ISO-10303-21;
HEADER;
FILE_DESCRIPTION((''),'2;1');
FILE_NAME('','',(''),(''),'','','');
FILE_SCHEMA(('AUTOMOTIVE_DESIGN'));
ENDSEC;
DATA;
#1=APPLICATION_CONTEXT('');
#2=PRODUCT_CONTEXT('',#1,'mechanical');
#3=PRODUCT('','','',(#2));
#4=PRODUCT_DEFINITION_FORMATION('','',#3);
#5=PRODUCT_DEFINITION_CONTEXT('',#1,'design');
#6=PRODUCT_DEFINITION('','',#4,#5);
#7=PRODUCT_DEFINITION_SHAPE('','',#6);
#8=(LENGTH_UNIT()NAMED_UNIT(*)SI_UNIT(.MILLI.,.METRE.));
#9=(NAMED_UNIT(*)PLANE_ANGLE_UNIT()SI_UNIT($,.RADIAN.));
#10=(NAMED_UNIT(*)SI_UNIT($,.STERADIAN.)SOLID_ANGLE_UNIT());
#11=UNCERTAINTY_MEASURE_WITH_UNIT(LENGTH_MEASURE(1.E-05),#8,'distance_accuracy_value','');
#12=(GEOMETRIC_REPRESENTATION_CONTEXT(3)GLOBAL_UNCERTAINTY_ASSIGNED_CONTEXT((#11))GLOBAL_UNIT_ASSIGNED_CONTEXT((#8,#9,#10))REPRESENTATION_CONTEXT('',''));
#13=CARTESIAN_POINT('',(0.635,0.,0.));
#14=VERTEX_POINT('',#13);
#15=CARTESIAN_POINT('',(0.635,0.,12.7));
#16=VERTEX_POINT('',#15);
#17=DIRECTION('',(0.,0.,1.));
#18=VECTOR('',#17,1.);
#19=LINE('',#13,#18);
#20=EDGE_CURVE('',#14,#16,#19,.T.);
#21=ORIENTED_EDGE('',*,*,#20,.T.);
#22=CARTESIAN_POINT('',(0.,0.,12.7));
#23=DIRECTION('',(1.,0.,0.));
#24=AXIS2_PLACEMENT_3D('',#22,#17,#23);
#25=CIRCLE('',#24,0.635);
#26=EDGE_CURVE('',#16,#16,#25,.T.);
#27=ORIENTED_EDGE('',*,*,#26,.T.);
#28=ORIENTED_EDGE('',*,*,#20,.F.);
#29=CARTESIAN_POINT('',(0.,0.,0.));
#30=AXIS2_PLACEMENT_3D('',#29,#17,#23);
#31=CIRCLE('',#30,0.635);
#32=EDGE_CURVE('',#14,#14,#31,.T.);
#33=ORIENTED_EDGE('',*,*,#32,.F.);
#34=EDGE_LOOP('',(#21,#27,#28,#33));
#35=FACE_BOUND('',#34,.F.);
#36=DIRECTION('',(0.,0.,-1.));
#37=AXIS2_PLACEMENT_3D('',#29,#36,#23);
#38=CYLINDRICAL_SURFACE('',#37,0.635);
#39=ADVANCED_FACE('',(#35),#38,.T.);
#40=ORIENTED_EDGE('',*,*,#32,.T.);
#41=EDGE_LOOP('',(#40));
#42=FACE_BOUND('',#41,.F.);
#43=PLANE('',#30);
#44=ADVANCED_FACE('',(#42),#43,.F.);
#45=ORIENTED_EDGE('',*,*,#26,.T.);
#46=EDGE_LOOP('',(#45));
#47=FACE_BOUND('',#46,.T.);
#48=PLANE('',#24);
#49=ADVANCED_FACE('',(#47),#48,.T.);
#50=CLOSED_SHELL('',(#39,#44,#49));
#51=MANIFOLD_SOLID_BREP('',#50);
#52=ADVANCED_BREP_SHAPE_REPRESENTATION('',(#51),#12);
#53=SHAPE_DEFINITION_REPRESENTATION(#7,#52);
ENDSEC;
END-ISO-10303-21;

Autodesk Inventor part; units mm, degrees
ref_plane "YZ Plane" through (0, 0, 0) normal (1, 0, 0) x (0, 1, 0)
ref_plane "XZ Plane" through (0, 0, 0) normal (0, 1, 0) x (-1, 0, 0)
ref_plane "XY Plane" through (0, 0, 0) normal (0, 0, 1) x (1, 0, 0)
sketch "Sketch1" plane through (0, 0, 0) normal (0, 0, 1) x (1, 0, 0)
  circle A0 centre (0, 0) radius 0.635
  dimension "d0" = 1.27
extrude "Extrusion1" add sketch "Sketch1" along normal blind 12.7
properties part number "Wire_Black"
